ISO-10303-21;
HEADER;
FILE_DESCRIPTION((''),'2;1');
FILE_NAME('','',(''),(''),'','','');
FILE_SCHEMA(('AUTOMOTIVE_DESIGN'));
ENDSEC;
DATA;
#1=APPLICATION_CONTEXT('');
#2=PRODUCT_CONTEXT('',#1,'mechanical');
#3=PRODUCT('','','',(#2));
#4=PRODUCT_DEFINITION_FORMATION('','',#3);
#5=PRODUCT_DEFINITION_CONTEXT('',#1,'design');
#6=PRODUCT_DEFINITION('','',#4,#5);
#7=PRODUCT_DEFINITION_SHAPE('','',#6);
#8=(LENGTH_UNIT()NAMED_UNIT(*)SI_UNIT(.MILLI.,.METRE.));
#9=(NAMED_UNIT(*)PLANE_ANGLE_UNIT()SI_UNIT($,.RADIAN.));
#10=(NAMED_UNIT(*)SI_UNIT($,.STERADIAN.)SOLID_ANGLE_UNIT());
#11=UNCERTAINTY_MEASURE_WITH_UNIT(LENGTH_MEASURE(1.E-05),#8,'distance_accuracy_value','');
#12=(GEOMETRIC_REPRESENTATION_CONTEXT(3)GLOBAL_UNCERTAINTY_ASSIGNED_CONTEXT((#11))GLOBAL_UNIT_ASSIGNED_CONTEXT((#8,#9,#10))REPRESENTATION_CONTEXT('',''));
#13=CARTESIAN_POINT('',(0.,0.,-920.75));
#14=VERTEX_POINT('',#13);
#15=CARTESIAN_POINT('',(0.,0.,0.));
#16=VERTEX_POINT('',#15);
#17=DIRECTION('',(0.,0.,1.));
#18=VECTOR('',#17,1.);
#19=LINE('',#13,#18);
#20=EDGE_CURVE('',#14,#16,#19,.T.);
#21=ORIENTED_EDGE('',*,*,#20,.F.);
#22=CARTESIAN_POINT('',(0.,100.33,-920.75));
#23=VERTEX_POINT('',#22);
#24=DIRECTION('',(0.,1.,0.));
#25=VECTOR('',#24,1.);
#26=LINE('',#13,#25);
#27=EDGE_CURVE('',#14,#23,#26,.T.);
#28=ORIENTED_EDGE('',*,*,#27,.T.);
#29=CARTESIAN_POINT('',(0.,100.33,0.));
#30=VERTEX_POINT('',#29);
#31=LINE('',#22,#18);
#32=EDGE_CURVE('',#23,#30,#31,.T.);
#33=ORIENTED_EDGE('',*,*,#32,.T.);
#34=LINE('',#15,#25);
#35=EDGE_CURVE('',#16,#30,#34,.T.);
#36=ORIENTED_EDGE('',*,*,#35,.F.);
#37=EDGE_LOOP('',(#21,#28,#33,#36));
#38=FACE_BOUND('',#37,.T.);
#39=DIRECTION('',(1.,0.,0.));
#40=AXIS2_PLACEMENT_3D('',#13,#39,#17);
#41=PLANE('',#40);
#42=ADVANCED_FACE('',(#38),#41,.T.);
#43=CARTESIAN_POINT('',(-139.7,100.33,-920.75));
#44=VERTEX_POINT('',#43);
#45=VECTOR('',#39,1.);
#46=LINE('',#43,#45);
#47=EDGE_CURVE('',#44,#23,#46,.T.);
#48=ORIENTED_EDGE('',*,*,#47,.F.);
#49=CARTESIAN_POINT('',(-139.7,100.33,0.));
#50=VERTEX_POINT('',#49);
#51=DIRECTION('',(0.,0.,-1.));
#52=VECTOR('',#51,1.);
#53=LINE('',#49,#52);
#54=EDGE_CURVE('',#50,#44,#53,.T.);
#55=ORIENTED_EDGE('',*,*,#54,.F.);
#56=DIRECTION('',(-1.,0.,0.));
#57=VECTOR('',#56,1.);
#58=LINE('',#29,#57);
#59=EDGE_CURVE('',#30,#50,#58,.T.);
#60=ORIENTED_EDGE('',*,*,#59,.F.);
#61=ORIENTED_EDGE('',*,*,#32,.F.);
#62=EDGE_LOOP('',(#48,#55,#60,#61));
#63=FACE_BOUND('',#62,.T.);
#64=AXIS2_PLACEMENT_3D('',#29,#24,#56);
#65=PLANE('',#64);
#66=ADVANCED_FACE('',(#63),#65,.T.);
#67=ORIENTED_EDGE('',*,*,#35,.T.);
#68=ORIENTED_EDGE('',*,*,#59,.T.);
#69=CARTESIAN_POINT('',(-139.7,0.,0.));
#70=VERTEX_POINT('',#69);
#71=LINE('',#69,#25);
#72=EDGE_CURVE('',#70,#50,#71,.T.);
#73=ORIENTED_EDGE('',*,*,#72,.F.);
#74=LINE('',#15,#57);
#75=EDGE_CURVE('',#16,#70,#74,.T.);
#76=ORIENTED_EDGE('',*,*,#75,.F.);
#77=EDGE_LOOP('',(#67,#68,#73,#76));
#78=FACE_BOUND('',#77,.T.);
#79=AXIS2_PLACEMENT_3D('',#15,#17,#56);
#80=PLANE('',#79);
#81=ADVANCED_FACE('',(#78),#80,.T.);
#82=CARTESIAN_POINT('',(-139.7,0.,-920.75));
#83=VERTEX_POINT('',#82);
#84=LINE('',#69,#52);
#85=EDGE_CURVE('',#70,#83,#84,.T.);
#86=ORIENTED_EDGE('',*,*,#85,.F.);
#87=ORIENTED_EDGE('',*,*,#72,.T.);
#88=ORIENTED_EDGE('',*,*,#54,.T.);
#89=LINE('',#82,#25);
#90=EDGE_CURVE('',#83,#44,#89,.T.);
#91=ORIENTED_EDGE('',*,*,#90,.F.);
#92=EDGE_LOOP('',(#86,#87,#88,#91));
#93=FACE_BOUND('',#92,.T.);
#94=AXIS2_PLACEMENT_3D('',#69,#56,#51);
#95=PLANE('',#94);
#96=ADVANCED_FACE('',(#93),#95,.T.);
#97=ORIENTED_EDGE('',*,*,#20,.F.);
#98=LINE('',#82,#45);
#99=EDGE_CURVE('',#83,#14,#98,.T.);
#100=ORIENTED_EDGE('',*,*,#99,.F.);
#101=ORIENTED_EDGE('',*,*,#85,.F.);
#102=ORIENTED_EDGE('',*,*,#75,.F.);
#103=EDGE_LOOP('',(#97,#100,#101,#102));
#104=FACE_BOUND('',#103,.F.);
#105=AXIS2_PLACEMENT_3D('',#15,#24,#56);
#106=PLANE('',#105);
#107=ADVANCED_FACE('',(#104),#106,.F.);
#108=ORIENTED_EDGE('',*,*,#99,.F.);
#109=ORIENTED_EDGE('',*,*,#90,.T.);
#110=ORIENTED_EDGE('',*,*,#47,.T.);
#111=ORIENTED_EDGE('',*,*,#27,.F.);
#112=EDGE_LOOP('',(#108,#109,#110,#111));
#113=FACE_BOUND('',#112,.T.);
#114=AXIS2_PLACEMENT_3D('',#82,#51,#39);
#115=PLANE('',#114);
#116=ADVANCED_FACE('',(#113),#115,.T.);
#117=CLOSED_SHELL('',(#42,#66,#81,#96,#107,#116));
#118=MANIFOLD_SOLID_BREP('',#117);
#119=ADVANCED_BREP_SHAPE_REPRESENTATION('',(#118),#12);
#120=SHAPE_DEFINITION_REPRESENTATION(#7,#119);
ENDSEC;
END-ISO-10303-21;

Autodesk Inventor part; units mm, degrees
ref_plane "YZ Plane" through (0, 0, 0) normal (1, 0, 0) x (0, 1, 0)
ref_plane "XZ Plane" through (0, 0, 0) normal (0, 1, 0) x (-1, 0, 0)
ref_plane "XY Plane" through (0, 0, 0) normal (0, 0, 1) x (1, 0, 0)
sketch "Sketch1" plane through (0, 0, 0) normal (0, 1, 0) x (-1, 0, 0)
  line L0 (0, 0) -> (139.7, 0)
  line L1 (139.7, 0) -> (139.7, -920.75)
  line L2 (139.7, -920.75) -> (0, -920.75)
  line L3 (0, -920.75) -> (0, 0)
  dimension "d0" = 139.7
  dimension "d1" = 920.75
extrude "Extrusion1" add sketch "Sketch1" along normal blind 100.33
sketch "Sketch2" plane through (0, 0, 0) normal (1, 0, 0) x (0, 0, -1)
  line L0 (920.75, 0) -> (0, 0) projected
  line L1 (0, 0) -> (920.75, 0)
  line L2 (-297.6389, 409.8513) -> (2710.7909, 409.8513) construction
  line L3 (2710.7909, 409.8513) -> (2710.7909, -1716.9746) construction
  line L4 (2710.7909, -1716.9746) -> (-297.6389, -1716.9746) construction
  line L5 (-297.6389, -1716.9746) -> (-297.6389, 409.8513) construction
  line L6 (0, 0) -> (920.75, 0) projected
  line L7 (920.75, 0) -> (920.75, 100.33) projected
  line L8 (0, 100.33) -> (920.75, 100.33) projected
  line L9 (0, 0) -> (0, 100.33) projected
  line L10 (0, 100.33) -> (0, 120.65)
  line L11 (0, 120.65) -> (920.75, 120.65)
  line L12 (920.75, 120.65) -> (920.75, 100.33)
  line L13 (0, 120.65) -> (0, 196.85)
  line L14 (920.75, 196.85) -> (920.75, 120.65)
  line L15 (477.9962, 0) -> (477.9962, -13.97)
  line L16 (477.9962, -13.97) -> (434.8162, -13.97)
  line L17 (434.8162, -13.97) -> (434.8162, 0)
  line L18 (133.294, 0) -> (133.294, -13.97)
  line L19 (133.294, -13.97) -> (90.114, -13.97)
  line L20 (90.114, -13.97) -> (90.114, 0)
  line L21 (769.0257, 0) -> (769.0257, -13.97)
  line L22 (769.0257, -13.97) -> (812.2057, -13.97)
  line L23 (812.2057, -13.97) -> (812.2057, 0)
  line L24 (434.8162, -13.97) -> (477.9962, -13.97)
  line L25 (769.0257, -13.97) -> (812.2057, -13.97)
  line L26 (90.114, -13.97) -> (133.294, -13.97)
  line L27 (90.114, -13.97) -> (111.704, -13.97)
  line L28 (111.704, -13.97) -> (100.909, -13.97)
  line L29 (100.909, -13.97) -> (122.499, -13.97)
  line L30 (122.499, -13.97) -> (122.499, -33.02)
  line L31 (122.499, -33.02) -> (100.909, -33.02)
  line L32 (100.909, -33.02) -> (100.909, -13.97)
  line L33 (434.8162, -13.97) -> (456.4062, -13.97)
  line L34 (456.4062, -13.97) -> (445.6112, -13.97)
  line L35 (445.6112, -13.97) -> (467.2012, -13.97)
  line L36 (467.2012, -13.97) -> (467.2012, -33.02)
  line L37 (467.2012, -33.02) -> (445.6112, -33.02)
  line L38 (445.6112, -33.02) -> (445.6112, -13.97)
  line L39 (769.0257, -13.97) -> (790.6157, -13.97)
  line L40 (790.6157, -13.97) -> (779.8207, -13.97)
  line L41 (779.8207, -13.97) -> (801.4107, -13.97)
  line L42 (801.4107, -13.97) -> (801.4107, -33.02)
  line L43 (801.4107, -33.02) -> (779.8207, -33.02)
  line L44 (779.8207, -33.02) -> (779.8207, -13.97)
  line L45 (434.8162, 0) -> (413.2262, 0)
  line L46 (413.2262, 0) -> (413.2262, -11.43)
  line L47 (413.2262, -11.43) -> (371.9512, -11.43)
  line L48 (371.9512, -11.43) -> (371.9512, 64.77)
  arc A0 (413.2262, 72.0379) -> (371.9512, 72.0379) centre (392.5887, 68.404) ccw
  line L49 (413.2262, 0) -> (413.2262, 64.77)
  line L50 (371.9512, 64.77) -> (371.9512, 72.0379)
  line L51 (413.2262, 64.77) -> (413.2262, 72.0379)
  line L52 (434.8162, -13.97) -> (434.8162, 202.565)
  line L53 (477.9962, -13.97) -> (477.9962, 202.565)
  line L54 (769.0257, -13.97) -> (769.0257, 202.565)
  line L55 (812.2057, -13.97) -> (812.2057, 202.565)
  line L56 (812.2057, 202.565) -> (769.0257, 202.565)
  line L57 (477.9962, 202.565) -> (434.8162, 202.565)
  line L58 (133.294, -13.97) -> (133.294, 182.245)
  line L59 (90.114, -13.97) -> (90.114, 182.245)
  line L60 (90.114, 182.245) -> (133.294, 182.245)
  line L61 (67.3834, 182.245) -> (164.6776, 182.245)
  line L62 (413.2262, 202.565) -> (508.4774, 202.565)
  line L63 (745.5808, 202.565) -> (847.3717, 202.565)
  line L64 (67.3834, 161.925) -> (164.6776, 161.925)
  line L65 (413.2262, 182.245) -> (508.4774, 182.245)
  line L66 (745.5808, 182.245) -> (847.3717, 182.245)
  line L67 (133.294, -13.97) -> (133.294, 78.74)
  line L68 (133.294, 78.74) -> (434.8162, 78.74)
  line L69 (133.294, -13.97) -> (133.294, 26.67)
  line L70 (133.294, 26.67) -> (371.9512, 26.67)
  line L71 (133.294, 26.67) -> (298.394, 26.67)
  line L72 (298.394, 26.67) -> (317.7759, 78.74)
  line L73 (133.294, 78.74) -> (133.294, 59.055)
  line L74 (133.294, 59.055) -> (310.4486, 59.055)
  dimension "d4" = 920.75
  dimension "d32" = 20.32
  dimension "d33" = 76.2
  dimension "d34" = 13.97
  dimension "d35" = 43.18
  dimension "d36" = 13.97
  dimension "d37" = 43.18
  dimension "d38" = 13.97
  dimension "d39" = 13.97
  dimension "d40" = 43.18
  dimension "d45" = 21.59
  dimension "d46" = 19.05
  dimension "d47" = 21.59
  dimension "d48" = 19.05
  dimension "d49" = 21.59
  dimension "d50" = 19.05
  dimension "d58" = 21.59
  dimension "d59" = 11.43
  dimension "d60" = 41.275
  dimension "d61" = 76.2
  dimension "d63" = 20.955
  dimension "d65" = 216.535
  dimension "d66" = 216.535
  dimension "d67" = 216.535
  dimension "d68" = 216.535
  dimension "d69" = 196.215
  dimension "d71" = 20.32
  dimension "d72" = 20.32
  dimension "d73" = 20.32
  dimension "d74" = 92.71
  dimension "d75" = 40.64
  dimension "d76" = 165.1
  dimension "d77" = 19.685
properties part number "side view"
